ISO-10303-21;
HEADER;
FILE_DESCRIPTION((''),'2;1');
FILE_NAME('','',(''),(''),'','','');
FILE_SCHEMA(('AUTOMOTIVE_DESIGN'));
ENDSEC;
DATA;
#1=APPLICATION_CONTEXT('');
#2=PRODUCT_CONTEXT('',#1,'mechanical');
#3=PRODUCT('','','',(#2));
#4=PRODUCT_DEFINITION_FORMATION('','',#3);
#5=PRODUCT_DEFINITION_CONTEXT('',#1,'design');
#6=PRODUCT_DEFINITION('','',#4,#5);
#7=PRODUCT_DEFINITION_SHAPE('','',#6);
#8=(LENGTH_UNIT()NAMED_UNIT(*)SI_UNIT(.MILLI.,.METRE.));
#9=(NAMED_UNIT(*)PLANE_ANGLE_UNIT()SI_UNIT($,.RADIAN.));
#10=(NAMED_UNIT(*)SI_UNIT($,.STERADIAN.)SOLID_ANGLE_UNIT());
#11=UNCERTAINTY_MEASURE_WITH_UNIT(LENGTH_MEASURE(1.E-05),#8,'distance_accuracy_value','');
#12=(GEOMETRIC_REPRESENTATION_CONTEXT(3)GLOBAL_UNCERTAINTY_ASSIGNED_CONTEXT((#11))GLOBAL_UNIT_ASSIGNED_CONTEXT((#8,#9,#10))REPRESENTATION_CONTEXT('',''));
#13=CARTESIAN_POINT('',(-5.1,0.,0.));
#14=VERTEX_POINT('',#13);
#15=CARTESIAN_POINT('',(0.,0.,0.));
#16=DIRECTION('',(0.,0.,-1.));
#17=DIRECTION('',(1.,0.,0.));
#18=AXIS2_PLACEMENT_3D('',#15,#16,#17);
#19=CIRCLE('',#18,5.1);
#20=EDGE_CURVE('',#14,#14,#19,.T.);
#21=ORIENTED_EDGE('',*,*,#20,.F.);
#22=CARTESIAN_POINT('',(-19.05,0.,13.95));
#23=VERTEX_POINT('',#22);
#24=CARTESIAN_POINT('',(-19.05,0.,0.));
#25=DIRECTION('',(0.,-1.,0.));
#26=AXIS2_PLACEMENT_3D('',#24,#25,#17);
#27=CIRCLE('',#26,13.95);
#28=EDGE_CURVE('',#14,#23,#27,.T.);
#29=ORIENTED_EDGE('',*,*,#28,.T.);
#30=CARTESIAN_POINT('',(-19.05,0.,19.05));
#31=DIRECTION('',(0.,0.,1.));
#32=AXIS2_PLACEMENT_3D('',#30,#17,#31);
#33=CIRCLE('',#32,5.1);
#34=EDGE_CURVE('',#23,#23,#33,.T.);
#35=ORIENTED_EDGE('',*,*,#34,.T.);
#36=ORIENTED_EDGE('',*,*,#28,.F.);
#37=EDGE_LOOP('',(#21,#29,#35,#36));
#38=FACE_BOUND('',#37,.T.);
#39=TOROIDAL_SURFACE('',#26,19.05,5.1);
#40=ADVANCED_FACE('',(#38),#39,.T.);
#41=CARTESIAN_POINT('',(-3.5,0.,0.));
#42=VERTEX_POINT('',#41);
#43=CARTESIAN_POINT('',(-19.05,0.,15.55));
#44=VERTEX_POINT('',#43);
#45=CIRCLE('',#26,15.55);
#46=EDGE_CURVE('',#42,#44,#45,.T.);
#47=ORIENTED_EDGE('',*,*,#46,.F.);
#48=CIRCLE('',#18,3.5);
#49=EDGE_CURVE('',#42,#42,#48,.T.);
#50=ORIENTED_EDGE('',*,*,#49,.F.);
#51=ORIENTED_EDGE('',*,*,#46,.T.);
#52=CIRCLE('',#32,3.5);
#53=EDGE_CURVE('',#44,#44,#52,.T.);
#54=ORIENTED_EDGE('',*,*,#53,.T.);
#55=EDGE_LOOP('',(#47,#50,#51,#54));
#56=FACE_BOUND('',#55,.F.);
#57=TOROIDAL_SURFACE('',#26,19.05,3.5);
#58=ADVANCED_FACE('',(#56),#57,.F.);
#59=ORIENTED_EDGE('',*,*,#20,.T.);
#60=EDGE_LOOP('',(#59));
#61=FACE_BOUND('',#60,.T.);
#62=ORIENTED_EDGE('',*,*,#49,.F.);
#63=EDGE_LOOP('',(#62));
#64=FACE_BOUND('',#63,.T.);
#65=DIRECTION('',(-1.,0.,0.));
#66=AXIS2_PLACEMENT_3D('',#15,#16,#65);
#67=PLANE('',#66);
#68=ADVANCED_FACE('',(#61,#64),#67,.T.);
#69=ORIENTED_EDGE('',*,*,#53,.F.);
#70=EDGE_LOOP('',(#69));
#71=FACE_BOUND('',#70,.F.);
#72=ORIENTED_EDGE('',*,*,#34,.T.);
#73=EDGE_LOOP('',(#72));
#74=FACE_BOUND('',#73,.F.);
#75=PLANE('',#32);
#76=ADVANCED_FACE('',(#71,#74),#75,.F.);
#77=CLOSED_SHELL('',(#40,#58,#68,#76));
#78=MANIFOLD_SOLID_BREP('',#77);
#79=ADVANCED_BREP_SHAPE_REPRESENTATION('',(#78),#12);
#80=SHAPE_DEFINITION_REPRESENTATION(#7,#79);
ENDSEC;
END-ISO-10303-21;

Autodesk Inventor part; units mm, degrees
ref_plane "Start Plane" through (0, 0, 0) normal (0, 0, 1) x (1, 0, 0)
ref_plane "End Plane" through (0, 0, 29.9237) normal (0, 0, 1) x (1, 0, 0)
sketch "Sketch" plane through (0, 0, 0) normal (0, 0, -1) x (-1, 0, 0)
  circle A0 centre (0, 0) radius 3.5
  circle A1 centre (0, 0) radius 5.1
  dimension "d0" = 10.2
  dimension "d1" = 1.6
sketch "Sketch3" plane through (0, 0, 0) normal (0, 0, 1) x (1, 0, 0)
  line L0 (0, 0) -> (10, 0)
ref_plane "Work Plane3" through (0, 0, 0) normal (0, -1, 0) x (1, 0, 0)
ref_plane "Orientation Work Plane" through (0, 0, 0) normal (0, 0, -1) x (-1, 0, 0)
sketch3d "Sweep Path"
  arc A0 (0, 0, 0) -> (-19.05, 0, 19.05) centre (-19.05, 0, 0) ccw
sweep "Body" add profiles "Sketch" path "Sweep Path"
sketch "Sketch4" plane through (0, 0, 0) normal (0, -1, 0) x (1, 0, 0)
  line L0 (-2, 0) -> (12, 0) projected
  line L1 (-24.86, 29.9237) -> (15.81, 29.9237) projected
  dimension "d7" = 29.9237
equation "\"d0\" = G_H"
equation "\"d1\" = G_T"
equation "\"G_H\" = 10.2"
equation "\"G_T\" = 1.6"
equation "\"G_L\" = d7"
equation "\"G_OFFSET_START\" = 0"
equation "\"G_OFFSET_END\" = 0"
equation "\"d5\" = G_OFFSET_END + B_L"
equation "\"B_L\" = 29.92367"
properties part number "DIN2448 - 10.2 x 1.6 - 29.92" material "Steel, Mild"
